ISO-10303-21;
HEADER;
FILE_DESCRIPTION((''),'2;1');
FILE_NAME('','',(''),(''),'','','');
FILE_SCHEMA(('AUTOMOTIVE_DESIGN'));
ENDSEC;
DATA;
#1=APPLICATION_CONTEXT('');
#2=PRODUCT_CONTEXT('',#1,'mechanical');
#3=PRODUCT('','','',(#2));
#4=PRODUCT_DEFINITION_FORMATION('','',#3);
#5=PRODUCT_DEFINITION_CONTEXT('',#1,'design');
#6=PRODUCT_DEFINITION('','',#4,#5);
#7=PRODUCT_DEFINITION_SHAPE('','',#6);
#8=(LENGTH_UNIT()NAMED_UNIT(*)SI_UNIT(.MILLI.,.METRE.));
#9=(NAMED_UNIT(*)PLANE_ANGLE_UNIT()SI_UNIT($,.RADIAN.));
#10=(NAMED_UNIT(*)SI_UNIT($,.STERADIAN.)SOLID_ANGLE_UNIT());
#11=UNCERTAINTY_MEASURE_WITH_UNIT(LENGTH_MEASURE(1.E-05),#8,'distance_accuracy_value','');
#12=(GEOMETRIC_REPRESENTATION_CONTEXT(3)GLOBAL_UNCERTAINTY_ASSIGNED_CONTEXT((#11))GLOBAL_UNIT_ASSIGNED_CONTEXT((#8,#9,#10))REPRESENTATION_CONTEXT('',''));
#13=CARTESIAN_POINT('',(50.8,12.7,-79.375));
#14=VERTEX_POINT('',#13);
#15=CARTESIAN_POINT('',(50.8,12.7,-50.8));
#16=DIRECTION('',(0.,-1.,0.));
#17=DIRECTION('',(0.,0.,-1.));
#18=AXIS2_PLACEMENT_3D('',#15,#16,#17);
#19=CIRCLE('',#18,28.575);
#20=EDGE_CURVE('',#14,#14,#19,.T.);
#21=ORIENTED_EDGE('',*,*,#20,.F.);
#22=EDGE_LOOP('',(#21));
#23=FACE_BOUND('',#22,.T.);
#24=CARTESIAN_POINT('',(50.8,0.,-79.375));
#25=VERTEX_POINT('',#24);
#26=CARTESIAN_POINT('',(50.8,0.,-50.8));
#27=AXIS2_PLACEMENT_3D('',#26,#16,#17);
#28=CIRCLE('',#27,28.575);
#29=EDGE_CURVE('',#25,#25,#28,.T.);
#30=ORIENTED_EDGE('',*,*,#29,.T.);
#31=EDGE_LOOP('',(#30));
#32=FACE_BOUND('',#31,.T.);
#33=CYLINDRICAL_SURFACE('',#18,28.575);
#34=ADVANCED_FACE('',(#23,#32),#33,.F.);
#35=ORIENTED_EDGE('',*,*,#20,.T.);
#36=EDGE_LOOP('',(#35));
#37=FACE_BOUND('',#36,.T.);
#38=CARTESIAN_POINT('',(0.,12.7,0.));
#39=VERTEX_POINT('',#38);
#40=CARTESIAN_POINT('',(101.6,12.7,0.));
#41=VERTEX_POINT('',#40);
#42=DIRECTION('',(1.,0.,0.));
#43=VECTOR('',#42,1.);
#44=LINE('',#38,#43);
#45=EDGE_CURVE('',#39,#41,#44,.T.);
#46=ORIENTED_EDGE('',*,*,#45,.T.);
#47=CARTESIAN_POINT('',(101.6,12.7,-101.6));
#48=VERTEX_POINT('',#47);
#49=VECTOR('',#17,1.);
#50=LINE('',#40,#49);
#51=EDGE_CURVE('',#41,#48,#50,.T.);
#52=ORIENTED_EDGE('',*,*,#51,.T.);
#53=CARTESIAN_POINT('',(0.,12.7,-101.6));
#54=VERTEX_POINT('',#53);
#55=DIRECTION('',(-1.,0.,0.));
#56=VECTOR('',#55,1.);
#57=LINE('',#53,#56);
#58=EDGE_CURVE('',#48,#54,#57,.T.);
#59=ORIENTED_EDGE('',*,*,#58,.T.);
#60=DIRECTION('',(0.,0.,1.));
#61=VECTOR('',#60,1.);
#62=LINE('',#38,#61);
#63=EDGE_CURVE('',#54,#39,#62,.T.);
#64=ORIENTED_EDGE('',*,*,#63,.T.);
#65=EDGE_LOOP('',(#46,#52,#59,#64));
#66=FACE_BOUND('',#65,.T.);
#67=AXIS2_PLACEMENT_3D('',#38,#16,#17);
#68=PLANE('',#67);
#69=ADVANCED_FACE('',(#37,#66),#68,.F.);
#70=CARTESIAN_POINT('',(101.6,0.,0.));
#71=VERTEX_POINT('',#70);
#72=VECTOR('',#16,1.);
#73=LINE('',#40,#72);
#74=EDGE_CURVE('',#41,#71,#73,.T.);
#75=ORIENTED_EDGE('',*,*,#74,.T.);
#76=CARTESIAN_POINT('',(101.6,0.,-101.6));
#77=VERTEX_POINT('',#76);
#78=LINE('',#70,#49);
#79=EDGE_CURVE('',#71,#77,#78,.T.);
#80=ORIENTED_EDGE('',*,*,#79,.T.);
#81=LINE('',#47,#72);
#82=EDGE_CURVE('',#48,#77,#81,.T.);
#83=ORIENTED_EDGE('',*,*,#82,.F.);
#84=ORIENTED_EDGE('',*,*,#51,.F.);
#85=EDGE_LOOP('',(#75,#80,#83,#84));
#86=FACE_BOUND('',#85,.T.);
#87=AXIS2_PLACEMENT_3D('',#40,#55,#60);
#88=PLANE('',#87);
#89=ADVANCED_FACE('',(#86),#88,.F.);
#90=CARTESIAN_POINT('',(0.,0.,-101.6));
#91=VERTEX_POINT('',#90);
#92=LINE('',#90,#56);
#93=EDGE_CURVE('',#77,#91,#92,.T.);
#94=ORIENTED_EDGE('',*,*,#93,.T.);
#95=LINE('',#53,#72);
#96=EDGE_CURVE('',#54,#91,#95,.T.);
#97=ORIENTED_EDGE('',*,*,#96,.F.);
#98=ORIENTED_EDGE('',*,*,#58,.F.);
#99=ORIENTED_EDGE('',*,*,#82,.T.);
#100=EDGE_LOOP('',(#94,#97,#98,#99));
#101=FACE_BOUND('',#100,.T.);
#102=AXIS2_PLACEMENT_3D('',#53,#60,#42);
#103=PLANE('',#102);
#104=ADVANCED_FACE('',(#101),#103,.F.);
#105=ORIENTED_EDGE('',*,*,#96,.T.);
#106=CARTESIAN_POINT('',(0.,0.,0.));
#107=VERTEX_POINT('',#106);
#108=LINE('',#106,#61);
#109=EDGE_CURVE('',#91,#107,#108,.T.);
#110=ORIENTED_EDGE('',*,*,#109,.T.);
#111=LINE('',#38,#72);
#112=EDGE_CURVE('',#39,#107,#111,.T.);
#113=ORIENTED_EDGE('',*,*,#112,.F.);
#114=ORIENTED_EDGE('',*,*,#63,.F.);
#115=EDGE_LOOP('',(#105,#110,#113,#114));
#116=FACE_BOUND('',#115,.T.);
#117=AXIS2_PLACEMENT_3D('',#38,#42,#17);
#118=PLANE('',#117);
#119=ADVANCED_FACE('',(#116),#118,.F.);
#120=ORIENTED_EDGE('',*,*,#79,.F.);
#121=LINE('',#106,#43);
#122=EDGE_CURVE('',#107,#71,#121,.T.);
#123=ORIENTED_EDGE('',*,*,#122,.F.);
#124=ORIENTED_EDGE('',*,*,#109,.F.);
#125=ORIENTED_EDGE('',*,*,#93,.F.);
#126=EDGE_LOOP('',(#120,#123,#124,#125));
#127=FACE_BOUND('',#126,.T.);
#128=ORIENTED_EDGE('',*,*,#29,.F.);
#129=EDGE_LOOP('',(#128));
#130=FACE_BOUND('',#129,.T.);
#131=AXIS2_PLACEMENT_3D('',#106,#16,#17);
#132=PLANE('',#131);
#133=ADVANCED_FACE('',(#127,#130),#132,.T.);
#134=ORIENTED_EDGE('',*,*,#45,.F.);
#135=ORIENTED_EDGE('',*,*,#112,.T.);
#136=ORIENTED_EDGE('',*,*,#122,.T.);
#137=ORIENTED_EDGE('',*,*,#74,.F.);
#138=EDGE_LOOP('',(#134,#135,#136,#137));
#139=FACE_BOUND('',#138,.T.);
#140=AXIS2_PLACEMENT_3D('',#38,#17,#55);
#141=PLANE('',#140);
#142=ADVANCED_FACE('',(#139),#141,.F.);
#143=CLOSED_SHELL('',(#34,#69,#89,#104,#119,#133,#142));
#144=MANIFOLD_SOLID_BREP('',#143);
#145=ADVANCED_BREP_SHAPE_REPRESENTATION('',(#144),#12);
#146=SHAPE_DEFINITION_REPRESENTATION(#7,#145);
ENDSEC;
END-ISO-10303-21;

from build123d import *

# Parameters (mm, degrees)
CROQUIS1_W              = 101.6
CROQUIS1_H              = 101.6
SALIENTE_EXTRUIR1_DEPTH = 12.7
CROQUIS2_R              = 28.575
CORTAR_EXTRUIR1_DEPTH   = 12.7


with BuildPart() as part:
    # Croquis1 → Saliente-Extruir1 (new body)
    with BuildSketch(Plane(origin=(0, 0, 0), x_dir=(1, 0, 0), z_dir=(0, 1, 0))):
        with Locations((50.8, 50.8)):
            Rectangle(CROQUIS1_W, CROQUIS1_H)
    extrude(amount=SALIENTE_EXTRUIR1_DEPTH)

    # Croquis2 → Cortar-Extruir1 (cut)
    with BuildSketch(Plane.XZ):
        with Locations(Location((50.8, -50.8, 0), (0, 0, 270))):
            Circle(CROQUIS2_R)
    extrude(amount=-CORTAR_EXTRUIR1_DEPTH, mode=Mode.SUBTRACT)


solid = part.part
